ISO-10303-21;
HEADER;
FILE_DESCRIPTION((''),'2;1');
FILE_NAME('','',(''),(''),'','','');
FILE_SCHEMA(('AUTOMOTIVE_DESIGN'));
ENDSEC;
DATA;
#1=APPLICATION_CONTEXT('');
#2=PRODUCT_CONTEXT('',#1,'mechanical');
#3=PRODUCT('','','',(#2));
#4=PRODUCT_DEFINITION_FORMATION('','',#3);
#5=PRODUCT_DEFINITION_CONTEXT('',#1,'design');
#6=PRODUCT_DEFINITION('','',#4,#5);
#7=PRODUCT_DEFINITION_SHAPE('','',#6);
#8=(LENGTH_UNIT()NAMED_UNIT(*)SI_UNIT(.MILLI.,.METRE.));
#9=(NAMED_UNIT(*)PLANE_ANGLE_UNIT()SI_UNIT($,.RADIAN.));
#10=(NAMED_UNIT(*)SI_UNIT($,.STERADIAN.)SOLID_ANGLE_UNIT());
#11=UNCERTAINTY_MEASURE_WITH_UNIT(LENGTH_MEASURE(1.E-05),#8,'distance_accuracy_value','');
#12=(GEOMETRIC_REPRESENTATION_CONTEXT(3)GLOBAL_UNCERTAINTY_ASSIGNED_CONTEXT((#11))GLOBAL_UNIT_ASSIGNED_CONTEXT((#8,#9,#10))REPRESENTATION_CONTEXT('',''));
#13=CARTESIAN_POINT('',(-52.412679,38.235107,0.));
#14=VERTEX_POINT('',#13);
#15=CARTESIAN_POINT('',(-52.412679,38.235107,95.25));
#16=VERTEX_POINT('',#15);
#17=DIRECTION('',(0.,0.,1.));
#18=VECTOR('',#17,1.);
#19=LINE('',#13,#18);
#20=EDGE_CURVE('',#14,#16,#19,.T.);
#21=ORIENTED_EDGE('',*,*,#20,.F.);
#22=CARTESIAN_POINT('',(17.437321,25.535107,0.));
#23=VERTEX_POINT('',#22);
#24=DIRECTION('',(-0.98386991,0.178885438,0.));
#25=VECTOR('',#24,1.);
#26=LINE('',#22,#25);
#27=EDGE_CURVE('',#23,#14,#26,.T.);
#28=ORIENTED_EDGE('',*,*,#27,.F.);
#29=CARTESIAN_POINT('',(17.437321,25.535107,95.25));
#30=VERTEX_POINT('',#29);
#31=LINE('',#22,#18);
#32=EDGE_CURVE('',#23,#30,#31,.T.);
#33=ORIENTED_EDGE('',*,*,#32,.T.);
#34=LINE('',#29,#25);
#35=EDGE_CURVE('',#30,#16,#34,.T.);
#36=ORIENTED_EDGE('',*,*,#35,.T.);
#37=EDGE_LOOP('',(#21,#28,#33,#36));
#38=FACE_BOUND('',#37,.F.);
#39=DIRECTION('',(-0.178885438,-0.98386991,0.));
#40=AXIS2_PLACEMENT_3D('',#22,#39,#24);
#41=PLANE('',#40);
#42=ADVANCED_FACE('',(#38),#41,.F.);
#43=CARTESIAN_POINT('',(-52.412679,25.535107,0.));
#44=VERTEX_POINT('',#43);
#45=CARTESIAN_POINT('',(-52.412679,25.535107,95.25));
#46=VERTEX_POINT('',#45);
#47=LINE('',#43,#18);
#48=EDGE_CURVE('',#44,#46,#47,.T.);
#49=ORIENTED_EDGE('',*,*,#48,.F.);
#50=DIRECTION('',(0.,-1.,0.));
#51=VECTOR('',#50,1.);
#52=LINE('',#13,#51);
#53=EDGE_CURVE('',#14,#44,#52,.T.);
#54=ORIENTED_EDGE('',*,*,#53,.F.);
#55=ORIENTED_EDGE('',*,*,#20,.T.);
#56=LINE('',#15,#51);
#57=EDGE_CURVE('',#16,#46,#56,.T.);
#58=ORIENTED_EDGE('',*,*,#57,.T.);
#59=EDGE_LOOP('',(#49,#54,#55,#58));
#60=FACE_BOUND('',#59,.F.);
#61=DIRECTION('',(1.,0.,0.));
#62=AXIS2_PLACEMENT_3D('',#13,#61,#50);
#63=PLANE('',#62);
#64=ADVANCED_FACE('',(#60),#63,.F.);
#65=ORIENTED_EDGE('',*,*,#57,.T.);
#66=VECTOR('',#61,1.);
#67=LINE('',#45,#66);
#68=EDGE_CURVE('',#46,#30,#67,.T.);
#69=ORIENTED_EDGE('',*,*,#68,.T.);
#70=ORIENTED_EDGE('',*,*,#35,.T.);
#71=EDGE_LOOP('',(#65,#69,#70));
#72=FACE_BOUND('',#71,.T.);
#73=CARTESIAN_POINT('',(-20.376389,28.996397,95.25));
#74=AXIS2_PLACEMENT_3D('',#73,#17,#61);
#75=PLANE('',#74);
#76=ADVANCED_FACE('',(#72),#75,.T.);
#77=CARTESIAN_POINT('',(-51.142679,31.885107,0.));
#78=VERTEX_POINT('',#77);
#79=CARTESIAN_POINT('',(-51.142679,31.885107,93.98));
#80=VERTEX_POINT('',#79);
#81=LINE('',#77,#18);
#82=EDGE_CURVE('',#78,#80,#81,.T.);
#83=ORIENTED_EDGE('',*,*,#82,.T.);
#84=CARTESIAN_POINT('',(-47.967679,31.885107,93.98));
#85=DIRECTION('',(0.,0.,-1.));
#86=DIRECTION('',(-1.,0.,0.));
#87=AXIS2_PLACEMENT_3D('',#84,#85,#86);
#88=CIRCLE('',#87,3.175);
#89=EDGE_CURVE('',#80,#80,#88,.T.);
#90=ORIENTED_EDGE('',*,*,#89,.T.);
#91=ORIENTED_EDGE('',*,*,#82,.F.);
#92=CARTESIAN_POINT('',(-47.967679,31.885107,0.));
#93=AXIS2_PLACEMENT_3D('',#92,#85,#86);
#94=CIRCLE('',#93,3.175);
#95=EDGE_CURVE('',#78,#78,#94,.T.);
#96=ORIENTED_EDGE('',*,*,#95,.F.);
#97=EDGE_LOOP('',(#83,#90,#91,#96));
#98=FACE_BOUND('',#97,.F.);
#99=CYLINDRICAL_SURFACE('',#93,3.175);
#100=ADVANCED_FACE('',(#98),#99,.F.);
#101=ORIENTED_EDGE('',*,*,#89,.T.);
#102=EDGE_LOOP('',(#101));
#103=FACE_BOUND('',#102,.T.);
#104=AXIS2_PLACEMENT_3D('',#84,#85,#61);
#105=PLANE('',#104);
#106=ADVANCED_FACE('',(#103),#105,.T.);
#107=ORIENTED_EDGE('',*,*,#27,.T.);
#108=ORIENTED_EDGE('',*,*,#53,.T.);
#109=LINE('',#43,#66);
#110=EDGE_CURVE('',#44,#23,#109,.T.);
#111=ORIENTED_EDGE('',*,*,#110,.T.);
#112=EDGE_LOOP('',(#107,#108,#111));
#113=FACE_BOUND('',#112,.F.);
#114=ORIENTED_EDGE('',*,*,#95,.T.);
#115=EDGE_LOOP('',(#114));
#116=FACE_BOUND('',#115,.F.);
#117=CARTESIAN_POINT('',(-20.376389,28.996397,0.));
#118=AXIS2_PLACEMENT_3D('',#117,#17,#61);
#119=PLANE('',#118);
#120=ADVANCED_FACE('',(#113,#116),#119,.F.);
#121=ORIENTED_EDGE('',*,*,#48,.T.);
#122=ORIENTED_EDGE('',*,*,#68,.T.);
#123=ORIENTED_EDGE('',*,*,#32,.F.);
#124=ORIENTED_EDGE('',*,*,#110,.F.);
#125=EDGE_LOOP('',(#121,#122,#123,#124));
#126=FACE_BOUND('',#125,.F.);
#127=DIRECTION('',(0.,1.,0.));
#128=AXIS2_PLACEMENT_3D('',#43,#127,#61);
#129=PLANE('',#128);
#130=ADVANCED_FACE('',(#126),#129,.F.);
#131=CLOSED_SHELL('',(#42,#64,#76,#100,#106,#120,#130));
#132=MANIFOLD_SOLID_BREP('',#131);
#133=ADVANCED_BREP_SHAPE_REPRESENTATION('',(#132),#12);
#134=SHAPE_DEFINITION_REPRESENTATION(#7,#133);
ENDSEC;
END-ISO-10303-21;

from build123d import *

# Parameters (mm, degrees)
F1_DEPTH = 95.25
F3_DEPTH = 93.98


with BuildPart() as f1:
    # F0 (on Top) → F1 (new body)
    with BuildSketch(Plane.XY):
        Polygon((-52.412679, 38.235107), (-52.412679, 25.535107), (17.437321, 25.535107), align=None)
    extrude(amount=F1_DEPTH)

    # F2 (on face) → F3 (cut)
    with BuildSketch(Plane(origin=(0, 0, 0), x_dir=(1, 0, 0), z_dir=(0, 0, -1))):
        with BuildLine():
            ThreePointArc((-44.792679, -31.885107), (-47.967679, -28.710107), (-51.142679, -31.885107))
            ThreePointArc((-51.142679, -31.885107), (-47.967679, -35.060107), (-44.792679, -31.885107))
        make_face()
    extrude(amount=-F3_DEPTH, mode=Mode.SUBTRACT)


solid = f1.part
